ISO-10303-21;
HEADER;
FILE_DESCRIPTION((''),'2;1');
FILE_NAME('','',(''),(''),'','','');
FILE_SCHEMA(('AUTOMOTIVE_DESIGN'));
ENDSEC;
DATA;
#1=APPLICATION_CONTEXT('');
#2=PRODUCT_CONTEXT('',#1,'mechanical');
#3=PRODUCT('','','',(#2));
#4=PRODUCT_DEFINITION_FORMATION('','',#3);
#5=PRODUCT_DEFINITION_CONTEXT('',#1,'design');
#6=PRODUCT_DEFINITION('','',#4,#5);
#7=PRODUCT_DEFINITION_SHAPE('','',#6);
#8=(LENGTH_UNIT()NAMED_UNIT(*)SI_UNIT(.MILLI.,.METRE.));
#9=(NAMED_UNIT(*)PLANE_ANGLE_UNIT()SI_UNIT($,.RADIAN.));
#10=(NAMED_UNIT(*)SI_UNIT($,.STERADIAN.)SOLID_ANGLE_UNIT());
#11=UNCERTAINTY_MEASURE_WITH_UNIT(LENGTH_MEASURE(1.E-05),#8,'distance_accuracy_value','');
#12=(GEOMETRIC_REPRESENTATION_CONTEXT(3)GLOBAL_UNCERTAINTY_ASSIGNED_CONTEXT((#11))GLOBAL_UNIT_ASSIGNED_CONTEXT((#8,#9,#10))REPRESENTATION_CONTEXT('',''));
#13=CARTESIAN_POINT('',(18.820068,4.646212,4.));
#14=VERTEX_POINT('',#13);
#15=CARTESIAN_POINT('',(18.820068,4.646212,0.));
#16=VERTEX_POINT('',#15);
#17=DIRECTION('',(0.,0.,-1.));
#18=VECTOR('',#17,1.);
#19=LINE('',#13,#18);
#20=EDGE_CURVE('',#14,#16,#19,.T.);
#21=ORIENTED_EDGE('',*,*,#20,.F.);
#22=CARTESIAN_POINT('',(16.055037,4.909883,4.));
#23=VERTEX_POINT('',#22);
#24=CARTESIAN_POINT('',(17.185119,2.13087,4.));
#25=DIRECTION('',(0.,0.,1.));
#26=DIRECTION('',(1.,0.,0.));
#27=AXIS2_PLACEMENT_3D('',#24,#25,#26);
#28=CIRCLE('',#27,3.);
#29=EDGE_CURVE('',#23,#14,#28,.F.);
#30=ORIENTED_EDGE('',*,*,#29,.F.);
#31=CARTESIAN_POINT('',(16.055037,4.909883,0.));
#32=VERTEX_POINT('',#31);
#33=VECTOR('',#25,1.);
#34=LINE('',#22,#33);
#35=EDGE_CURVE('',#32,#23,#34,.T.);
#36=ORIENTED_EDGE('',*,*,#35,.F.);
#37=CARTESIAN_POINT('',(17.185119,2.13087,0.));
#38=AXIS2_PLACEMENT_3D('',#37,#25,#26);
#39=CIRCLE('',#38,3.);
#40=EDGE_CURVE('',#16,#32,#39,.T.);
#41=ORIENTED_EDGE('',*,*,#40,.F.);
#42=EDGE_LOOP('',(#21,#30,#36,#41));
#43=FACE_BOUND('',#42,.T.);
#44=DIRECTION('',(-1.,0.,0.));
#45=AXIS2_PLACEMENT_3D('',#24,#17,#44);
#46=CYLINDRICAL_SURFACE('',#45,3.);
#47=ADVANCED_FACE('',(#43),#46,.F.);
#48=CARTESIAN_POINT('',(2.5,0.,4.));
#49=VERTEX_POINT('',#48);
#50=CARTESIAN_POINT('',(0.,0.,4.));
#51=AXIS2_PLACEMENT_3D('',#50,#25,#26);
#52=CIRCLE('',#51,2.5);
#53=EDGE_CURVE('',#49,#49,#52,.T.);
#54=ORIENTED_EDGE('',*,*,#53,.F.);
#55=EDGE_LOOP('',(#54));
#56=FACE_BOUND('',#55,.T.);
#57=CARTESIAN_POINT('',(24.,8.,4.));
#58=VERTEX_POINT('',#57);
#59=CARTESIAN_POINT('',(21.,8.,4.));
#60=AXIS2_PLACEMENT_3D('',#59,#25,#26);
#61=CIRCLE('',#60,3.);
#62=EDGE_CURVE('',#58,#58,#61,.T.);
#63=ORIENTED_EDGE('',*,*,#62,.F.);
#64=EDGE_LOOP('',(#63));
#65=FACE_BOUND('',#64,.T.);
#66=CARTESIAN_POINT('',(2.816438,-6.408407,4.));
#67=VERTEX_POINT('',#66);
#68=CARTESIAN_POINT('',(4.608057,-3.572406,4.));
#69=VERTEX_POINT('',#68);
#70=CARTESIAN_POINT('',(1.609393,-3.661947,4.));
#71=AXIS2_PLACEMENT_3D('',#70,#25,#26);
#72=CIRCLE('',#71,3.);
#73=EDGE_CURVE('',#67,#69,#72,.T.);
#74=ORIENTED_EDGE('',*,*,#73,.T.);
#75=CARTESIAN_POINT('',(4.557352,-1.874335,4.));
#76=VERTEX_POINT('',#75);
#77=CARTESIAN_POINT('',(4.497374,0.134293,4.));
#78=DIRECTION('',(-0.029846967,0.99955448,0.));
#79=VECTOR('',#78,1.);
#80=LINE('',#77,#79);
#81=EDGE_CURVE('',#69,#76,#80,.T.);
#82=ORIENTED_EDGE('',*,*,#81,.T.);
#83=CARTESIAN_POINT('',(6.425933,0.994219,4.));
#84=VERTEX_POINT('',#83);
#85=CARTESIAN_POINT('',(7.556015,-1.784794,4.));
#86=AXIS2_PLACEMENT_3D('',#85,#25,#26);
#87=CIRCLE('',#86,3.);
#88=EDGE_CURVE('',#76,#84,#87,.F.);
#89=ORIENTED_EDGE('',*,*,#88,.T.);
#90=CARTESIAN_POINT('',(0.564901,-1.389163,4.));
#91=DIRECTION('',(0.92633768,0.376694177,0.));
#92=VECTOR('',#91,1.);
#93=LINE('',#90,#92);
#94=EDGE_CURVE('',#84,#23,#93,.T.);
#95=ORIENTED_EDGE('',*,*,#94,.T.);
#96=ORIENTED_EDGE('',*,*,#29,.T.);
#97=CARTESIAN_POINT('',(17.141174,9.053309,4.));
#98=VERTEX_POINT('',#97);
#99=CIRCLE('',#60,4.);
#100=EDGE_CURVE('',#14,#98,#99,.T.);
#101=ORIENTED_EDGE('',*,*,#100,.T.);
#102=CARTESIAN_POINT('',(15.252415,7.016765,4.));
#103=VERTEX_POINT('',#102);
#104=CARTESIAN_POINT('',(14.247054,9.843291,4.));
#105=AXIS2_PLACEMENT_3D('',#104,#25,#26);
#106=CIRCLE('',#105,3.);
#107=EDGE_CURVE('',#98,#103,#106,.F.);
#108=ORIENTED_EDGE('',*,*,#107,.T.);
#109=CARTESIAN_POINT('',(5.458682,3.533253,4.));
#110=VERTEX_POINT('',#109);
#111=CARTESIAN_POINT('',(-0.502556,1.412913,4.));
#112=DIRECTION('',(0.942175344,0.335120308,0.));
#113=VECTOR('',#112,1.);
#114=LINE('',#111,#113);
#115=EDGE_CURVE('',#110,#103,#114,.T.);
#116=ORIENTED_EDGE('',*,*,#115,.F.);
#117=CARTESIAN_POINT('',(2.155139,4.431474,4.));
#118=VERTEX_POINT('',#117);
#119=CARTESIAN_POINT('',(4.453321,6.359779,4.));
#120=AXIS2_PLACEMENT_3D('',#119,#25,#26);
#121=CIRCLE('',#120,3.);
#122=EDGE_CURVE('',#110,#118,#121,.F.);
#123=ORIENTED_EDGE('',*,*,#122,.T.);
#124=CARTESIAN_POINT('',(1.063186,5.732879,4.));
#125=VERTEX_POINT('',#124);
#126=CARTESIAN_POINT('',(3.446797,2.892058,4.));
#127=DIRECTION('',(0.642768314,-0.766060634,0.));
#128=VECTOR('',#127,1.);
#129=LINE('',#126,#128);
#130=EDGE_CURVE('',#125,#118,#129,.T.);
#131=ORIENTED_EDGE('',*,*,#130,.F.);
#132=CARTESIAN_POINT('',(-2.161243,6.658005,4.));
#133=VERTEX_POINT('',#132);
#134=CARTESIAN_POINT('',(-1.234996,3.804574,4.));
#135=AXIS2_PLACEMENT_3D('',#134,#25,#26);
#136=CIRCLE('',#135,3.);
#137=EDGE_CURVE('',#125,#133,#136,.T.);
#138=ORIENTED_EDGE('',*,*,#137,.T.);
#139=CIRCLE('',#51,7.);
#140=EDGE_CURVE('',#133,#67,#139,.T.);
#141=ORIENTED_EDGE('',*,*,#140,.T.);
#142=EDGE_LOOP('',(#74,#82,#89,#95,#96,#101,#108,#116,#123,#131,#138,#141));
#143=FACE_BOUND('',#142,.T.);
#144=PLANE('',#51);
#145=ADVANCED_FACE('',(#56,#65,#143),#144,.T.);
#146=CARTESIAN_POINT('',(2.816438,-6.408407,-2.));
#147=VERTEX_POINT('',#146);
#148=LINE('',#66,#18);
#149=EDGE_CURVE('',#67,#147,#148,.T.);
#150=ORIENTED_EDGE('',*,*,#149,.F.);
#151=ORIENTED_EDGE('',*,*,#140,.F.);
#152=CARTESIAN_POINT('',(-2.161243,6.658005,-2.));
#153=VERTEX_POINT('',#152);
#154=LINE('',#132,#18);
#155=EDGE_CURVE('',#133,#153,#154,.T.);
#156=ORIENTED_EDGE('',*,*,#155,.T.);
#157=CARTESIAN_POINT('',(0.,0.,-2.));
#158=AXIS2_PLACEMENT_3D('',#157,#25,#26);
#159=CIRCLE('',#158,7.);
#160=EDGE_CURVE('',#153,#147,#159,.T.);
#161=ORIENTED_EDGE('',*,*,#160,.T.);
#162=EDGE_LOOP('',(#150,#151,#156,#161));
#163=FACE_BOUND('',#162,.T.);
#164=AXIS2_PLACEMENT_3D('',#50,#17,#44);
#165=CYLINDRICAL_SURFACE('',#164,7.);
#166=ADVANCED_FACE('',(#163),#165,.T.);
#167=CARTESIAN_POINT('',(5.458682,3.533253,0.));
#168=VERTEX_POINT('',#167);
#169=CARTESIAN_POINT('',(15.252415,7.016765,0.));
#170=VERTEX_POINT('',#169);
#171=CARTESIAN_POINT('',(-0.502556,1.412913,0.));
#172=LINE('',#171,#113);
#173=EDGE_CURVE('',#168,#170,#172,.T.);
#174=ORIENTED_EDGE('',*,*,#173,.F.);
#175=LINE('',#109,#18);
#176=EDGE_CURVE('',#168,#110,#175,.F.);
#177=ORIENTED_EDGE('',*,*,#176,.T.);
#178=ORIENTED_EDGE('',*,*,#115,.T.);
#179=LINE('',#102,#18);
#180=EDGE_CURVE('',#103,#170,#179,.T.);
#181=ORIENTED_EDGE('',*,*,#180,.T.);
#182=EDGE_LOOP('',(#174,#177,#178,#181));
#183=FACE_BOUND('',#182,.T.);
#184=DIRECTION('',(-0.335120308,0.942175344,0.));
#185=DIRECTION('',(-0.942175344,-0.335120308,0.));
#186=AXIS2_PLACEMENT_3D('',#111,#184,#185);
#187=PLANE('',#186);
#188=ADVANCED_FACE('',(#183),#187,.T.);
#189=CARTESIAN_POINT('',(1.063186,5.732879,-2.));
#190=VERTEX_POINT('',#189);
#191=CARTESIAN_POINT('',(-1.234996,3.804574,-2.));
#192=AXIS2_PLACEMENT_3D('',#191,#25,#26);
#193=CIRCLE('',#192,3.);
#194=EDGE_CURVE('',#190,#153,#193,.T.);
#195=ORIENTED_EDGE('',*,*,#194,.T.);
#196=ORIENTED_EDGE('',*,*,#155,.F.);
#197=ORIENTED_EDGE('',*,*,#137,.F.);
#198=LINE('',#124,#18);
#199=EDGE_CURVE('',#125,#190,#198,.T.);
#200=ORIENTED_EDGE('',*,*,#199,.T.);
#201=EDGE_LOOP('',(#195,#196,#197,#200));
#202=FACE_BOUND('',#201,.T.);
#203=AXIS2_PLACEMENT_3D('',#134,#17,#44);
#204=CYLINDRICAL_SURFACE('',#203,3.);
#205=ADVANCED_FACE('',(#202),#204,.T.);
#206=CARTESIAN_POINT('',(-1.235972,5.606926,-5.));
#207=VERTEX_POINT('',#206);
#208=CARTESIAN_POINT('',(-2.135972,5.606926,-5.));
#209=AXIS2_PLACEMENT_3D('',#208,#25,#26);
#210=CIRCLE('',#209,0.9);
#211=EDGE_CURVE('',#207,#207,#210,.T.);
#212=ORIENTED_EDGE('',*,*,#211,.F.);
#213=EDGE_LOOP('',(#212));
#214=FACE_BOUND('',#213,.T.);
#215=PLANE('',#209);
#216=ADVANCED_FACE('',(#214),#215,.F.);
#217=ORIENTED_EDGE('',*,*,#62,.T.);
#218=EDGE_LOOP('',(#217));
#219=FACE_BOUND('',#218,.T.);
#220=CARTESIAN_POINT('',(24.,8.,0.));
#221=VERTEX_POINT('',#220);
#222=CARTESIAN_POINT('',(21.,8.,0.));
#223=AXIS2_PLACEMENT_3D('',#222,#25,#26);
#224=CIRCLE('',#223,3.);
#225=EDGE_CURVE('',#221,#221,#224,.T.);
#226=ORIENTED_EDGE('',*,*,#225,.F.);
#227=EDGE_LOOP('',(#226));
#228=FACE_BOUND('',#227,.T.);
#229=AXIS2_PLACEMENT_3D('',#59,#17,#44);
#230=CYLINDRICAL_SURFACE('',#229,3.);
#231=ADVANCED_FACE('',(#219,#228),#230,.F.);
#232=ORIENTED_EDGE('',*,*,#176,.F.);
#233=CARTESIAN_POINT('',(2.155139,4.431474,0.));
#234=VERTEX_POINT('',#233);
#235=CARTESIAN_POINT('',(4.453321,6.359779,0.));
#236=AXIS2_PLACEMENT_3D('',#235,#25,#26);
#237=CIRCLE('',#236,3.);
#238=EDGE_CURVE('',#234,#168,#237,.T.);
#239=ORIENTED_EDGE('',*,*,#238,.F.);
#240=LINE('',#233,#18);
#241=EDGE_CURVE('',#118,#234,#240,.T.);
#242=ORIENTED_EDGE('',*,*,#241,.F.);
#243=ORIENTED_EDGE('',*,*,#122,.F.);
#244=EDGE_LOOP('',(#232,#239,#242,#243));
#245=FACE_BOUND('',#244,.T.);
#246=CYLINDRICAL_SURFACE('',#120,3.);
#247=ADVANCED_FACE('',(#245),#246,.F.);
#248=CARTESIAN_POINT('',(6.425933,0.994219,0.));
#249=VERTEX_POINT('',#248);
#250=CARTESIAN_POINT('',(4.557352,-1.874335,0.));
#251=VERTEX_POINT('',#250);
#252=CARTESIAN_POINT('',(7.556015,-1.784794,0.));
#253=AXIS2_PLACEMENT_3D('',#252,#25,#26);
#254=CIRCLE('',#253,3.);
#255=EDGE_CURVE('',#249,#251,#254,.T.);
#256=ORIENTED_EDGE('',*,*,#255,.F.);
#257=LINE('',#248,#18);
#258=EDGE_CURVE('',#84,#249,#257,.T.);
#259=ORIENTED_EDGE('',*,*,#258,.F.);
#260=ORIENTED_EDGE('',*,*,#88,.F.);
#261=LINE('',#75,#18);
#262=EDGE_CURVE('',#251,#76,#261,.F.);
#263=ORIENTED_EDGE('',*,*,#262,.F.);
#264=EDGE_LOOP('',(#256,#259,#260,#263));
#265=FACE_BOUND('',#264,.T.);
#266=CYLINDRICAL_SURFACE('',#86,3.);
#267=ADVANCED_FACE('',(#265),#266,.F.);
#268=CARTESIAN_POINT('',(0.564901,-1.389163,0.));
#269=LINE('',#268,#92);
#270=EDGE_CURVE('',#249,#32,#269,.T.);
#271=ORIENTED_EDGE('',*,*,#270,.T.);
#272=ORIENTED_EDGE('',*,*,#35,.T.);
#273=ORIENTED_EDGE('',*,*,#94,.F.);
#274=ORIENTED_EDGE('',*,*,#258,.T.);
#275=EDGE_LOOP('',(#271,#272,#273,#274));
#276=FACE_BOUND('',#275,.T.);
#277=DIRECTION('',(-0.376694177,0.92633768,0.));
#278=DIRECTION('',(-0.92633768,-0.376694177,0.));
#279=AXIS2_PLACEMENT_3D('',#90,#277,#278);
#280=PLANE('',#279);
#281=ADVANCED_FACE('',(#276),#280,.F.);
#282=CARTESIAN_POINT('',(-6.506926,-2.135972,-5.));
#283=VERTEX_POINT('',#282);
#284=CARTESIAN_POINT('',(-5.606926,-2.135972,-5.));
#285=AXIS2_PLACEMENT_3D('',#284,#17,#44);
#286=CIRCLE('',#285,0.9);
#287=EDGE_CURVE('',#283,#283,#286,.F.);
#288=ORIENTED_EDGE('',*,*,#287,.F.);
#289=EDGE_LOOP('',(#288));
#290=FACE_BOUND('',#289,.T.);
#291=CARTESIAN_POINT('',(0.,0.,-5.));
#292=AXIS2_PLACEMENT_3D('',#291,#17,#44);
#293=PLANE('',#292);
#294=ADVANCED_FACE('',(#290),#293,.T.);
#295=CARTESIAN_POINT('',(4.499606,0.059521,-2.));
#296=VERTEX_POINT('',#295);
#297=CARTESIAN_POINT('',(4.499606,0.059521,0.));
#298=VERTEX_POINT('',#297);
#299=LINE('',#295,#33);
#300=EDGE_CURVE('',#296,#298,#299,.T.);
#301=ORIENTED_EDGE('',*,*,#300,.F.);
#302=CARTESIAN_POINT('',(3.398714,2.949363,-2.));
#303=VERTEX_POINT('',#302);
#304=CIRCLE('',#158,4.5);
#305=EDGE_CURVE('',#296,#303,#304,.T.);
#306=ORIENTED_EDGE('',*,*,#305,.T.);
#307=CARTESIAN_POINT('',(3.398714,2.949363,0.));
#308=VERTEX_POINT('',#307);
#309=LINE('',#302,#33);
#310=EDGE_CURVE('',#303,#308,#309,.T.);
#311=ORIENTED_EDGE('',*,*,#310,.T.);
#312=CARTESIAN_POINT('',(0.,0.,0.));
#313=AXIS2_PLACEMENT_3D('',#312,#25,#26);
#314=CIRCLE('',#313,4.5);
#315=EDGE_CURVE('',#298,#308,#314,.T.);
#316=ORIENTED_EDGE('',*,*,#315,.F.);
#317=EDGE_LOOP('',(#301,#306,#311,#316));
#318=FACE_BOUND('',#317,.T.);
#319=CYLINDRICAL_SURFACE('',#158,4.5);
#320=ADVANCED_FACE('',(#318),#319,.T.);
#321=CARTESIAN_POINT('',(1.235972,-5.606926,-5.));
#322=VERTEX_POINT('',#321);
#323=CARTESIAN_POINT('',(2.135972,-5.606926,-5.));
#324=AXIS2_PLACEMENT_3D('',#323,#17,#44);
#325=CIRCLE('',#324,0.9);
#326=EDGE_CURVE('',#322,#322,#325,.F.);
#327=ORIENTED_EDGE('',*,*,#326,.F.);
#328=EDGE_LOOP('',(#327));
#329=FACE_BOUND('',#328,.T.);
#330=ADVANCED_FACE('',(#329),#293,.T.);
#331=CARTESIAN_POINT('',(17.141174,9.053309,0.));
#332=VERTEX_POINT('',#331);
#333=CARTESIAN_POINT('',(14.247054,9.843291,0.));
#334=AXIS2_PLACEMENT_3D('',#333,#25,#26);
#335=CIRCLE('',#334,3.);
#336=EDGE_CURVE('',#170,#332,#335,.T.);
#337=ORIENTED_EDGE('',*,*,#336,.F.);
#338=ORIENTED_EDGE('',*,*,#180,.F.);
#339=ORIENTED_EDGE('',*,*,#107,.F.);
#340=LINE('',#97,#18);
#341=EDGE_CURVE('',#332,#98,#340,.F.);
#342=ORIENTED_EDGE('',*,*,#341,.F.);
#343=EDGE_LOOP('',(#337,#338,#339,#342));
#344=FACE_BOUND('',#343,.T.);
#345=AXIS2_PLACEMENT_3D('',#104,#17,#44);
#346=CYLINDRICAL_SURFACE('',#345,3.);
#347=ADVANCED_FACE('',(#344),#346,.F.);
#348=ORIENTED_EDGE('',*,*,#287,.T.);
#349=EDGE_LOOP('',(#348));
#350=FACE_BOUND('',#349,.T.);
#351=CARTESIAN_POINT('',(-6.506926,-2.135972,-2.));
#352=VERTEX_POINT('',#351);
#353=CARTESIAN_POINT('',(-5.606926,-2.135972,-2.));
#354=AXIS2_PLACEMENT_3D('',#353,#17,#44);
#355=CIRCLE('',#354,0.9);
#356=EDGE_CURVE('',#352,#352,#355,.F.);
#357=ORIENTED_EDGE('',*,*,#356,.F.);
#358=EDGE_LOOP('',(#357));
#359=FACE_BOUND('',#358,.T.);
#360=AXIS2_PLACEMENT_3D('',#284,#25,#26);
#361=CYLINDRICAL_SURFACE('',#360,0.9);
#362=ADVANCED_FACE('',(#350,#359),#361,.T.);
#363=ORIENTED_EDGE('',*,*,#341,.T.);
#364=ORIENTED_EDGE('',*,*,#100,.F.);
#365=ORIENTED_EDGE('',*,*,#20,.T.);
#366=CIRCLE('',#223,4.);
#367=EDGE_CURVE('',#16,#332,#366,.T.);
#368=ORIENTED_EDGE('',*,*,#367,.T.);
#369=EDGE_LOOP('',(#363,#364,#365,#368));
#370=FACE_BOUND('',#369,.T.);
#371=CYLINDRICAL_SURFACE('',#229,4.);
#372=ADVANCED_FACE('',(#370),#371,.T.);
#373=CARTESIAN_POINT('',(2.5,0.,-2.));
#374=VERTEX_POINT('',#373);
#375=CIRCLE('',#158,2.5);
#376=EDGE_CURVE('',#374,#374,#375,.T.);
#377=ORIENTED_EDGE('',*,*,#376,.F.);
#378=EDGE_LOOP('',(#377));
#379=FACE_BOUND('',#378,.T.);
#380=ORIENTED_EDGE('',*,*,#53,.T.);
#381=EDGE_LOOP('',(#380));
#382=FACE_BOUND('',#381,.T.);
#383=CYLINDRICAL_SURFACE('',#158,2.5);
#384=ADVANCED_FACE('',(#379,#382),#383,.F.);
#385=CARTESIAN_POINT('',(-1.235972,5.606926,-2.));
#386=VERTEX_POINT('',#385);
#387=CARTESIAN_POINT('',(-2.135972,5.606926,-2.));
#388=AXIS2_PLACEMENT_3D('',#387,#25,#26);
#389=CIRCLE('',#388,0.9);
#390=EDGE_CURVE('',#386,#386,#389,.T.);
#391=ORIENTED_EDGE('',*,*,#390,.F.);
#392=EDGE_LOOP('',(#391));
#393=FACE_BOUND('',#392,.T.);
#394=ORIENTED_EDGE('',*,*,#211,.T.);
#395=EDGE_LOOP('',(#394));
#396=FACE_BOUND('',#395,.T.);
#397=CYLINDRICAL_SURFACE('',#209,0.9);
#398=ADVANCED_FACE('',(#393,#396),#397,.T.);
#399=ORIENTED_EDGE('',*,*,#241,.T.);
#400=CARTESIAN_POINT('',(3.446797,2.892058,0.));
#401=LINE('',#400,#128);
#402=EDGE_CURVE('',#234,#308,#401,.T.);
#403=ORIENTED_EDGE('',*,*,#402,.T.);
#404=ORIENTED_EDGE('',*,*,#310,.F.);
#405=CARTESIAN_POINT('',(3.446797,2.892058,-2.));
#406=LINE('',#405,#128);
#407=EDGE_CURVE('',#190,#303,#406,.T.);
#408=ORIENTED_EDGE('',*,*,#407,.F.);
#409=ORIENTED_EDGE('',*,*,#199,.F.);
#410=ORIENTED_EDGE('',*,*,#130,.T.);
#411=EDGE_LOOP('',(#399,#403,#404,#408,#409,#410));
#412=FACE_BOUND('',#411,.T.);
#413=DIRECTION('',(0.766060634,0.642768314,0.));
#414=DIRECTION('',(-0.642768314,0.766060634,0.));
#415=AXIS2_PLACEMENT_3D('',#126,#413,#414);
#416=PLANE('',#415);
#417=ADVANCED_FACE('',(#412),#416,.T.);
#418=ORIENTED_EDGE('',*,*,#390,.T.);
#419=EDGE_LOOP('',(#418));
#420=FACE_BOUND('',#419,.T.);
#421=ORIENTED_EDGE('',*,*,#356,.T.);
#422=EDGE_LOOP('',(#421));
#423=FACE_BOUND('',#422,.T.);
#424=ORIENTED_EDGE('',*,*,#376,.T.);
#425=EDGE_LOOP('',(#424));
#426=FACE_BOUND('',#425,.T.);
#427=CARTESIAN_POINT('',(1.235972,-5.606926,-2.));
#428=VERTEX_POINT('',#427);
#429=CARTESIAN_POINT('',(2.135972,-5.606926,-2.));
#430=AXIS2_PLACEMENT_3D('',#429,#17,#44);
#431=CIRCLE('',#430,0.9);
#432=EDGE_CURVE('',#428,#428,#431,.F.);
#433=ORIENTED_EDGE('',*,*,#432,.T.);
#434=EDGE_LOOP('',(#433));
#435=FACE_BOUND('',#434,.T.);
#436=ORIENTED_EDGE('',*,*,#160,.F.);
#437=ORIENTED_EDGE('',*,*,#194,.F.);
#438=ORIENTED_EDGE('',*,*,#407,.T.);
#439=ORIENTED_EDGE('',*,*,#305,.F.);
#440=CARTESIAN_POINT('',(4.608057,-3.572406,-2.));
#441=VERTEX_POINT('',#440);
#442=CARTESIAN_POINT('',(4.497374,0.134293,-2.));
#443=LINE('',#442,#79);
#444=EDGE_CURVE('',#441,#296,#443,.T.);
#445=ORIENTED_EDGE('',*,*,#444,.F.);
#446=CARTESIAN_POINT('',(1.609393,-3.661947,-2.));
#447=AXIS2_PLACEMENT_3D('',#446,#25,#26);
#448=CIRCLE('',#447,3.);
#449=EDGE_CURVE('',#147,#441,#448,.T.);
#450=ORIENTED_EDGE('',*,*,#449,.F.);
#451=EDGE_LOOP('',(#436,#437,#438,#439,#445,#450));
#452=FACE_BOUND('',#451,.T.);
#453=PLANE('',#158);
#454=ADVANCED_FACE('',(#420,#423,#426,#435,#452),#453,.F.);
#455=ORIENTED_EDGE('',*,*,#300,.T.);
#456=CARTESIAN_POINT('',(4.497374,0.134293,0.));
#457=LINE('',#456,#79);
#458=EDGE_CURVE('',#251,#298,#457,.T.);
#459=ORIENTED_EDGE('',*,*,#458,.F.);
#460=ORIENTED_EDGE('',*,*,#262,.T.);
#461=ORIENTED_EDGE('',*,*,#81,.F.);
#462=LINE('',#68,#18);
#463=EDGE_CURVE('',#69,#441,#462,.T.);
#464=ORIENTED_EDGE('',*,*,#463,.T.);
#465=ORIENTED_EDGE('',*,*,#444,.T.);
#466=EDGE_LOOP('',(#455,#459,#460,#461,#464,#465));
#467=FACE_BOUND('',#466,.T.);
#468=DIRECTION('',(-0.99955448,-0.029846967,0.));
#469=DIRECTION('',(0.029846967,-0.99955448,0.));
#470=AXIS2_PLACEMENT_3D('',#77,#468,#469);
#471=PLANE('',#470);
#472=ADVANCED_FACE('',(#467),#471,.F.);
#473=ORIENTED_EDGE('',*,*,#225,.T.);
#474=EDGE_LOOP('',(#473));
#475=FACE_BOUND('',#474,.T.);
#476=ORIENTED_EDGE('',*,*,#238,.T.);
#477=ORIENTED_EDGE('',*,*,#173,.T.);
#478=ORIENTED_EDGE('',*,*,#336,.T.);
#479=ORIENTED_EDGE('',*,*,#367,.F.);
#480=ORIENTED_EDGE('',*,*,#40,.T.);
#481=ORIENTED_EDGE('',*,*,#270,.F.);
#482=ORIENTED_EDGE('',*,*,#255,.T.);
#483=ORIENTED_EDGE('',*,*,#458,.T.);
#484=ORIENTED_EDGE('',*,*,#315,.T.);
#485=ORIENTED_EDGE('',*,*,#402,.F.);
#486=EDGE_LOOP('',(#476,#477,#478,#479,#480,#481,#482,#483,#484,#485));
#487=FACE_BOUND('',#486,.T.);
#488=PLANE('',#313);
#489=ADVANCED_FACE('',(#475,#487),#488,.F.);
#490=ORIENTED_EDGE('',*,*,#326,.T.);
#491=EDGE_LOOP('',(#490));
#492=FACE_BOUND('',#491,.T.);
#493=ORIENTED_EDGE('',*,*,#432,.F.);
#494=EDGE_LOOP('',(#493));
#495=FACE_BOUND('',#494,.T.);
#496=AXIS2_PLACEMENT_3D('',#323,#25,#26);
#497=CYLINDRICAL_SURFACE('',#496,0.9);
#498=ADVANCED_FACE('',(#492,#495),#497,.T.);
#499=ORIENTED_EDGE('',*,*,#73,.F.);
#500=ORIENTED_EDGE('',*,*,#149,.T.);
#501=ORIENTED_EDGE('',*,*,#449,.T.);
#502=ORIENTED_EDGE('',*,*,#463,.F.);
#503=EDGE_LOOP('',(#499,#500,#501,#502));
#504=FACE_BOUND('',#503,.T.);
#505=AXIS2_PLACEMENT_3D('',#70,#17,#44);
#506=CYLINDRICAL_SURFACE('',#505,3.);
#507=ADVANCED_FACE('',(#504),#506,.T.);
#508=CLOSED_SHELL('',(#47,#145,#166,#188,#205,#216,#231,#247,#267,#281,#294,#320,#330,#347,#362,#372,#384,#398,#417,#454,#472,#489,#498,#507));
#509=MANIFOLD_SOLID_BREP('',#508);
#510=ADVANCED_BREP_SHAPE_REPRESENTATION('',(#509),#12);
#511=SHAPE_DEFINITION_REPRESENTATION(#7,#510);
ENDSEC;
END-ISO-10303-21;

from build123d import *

# Parameters (mm, degrees)
SKETCH1_R           = 3
BOSS_EXTRUDE1_DEPTH = 4
FILLET1_R           = 3
FILLET2_R           = 3
BOSS_EXTRUDE2_START = -2
BOSS_EXTRUDE2_DEPTH = 2
SKETCH2_R           = 2.5
CUT_EXTRUDE1_DEPTH  = 29.372521918
SKETCH4_R           = 0.9
BOSS_EXTRUDE3_DEPTH = 3


with BuildPart() as part:
    # Sketch1 → Boss-Extrude1 (new body)
    with BuildSketch(Plane.XY):
        with BuildLine():
            Line((4.495140924, 0.209064756), (17.788851391, 5.614937189))
            ThreePointArc((17.788851391, 5.614937189), (24.73795094, 9.42398131), (17.01587301, 7.64400544))
            Line((17.01587301, 7.64400544), (3.494878983, 2.834752351))
            Line((3.494878983, 2.834752351), (1.063186177, 5.732879237))
            ThreePointArc((1.063186177, 5.732879237), (-0.407640956, 6.688232403), (-2.161242517, 6.658005015))
            ThreePointArc((-2.161242517, 6.658005015), (-6.541414145, -2.491967293), (2.816438132, -6.408406686))
            ThreePointArc((2.816438132, -6.408406686), (4.145674153, -5.264219757), (4.608056658, -3.572405775))
            Line((4.608056658, -3.572405775), (4.495140924, 0.209064756))
        make_face()
        with Locations((21, 8)):
            Circle(SKETCH1_R, mode=Mode.SUBTRACT)
    extrude(amount=BOSS_EXTRUDE1_DEPTH)

    # Fillet1
    fillet1_edges = [part.edges().sort_by_distance(p)[0] for p in [
        (3.494878983, 2.834752351, 2),
        (4.495140924, 0.209064756, 2),
    ]]
    fillet(fillet1_edges, radius=FILLET1_R)

    # Fillet2
    fillet2_edges = [part.edges().sort_by_distance(p)[0] for p in [
        (17.788851391, 5.614937189, 2),
        (17.01587301, 7.64400544, 2),
    ]]
    fillet(fillet2_edges, radius=FILLET2_R)

    # Sketch1<3> → Boss-Extrude2 (add)
    with BuildSketch(Plane.XY.offset(BOSS_EXTRUDE2_START)):
        with BuildLine():
            Line((3.398714044, 2.949363125), (1.063186177, 5.732879237))
            ThreePointArc((1.063186177, 5.732879237), (-0.407640956, 6.688232403), (-2.161242517, 6.658005015))
            ThreePointArc((-2.161242517, 6.658005015), (-6.541414145, -2.491967293), (2.816438132, -6.408406686))
            ThreePointArc((2.816438132, -6.408406686), (4.145674153, -5.264219757), (4.608056658, -3.572405775))
            Line((4.608056658, -3.572405775), (4.499606346, 0.059520833))
            ThreePointArc((4.499606346, 0.059520833), (4.205194807, 1.601978974), (3.398714044, 2.949363125))
        make_face()
    extrude(amount=BOSS_EXTRUDE2_DEPTH)

    # Sketch2 → Cut-Extrude1 (cut, through all)
    with BuildSketch(Plane.XY.offset(4)):
        Circle(SKETCH2_R)
    extrude(amount=-CUT_EXTRUDE1_DEPTH, mode=Mode.SUBTRACT)

    # Sketch4 → Boss-Extrude3 (add)
    with BuildSketch(Plane.XY.offset(-2)):
        with Locations((-2.135971966, 5.60692641)):
            Circle(SKETCH4_R)
        with Locations((2.135971966, -5.60692641)):
            Circle(SKETCH4_R)
        with Locations((-5.60692641, -2.135971966)):
            Circle(SKETCH4_R)
    extrude(amount=-BOSS_EXTRUDE3_DEPTH)


solid = part.part
